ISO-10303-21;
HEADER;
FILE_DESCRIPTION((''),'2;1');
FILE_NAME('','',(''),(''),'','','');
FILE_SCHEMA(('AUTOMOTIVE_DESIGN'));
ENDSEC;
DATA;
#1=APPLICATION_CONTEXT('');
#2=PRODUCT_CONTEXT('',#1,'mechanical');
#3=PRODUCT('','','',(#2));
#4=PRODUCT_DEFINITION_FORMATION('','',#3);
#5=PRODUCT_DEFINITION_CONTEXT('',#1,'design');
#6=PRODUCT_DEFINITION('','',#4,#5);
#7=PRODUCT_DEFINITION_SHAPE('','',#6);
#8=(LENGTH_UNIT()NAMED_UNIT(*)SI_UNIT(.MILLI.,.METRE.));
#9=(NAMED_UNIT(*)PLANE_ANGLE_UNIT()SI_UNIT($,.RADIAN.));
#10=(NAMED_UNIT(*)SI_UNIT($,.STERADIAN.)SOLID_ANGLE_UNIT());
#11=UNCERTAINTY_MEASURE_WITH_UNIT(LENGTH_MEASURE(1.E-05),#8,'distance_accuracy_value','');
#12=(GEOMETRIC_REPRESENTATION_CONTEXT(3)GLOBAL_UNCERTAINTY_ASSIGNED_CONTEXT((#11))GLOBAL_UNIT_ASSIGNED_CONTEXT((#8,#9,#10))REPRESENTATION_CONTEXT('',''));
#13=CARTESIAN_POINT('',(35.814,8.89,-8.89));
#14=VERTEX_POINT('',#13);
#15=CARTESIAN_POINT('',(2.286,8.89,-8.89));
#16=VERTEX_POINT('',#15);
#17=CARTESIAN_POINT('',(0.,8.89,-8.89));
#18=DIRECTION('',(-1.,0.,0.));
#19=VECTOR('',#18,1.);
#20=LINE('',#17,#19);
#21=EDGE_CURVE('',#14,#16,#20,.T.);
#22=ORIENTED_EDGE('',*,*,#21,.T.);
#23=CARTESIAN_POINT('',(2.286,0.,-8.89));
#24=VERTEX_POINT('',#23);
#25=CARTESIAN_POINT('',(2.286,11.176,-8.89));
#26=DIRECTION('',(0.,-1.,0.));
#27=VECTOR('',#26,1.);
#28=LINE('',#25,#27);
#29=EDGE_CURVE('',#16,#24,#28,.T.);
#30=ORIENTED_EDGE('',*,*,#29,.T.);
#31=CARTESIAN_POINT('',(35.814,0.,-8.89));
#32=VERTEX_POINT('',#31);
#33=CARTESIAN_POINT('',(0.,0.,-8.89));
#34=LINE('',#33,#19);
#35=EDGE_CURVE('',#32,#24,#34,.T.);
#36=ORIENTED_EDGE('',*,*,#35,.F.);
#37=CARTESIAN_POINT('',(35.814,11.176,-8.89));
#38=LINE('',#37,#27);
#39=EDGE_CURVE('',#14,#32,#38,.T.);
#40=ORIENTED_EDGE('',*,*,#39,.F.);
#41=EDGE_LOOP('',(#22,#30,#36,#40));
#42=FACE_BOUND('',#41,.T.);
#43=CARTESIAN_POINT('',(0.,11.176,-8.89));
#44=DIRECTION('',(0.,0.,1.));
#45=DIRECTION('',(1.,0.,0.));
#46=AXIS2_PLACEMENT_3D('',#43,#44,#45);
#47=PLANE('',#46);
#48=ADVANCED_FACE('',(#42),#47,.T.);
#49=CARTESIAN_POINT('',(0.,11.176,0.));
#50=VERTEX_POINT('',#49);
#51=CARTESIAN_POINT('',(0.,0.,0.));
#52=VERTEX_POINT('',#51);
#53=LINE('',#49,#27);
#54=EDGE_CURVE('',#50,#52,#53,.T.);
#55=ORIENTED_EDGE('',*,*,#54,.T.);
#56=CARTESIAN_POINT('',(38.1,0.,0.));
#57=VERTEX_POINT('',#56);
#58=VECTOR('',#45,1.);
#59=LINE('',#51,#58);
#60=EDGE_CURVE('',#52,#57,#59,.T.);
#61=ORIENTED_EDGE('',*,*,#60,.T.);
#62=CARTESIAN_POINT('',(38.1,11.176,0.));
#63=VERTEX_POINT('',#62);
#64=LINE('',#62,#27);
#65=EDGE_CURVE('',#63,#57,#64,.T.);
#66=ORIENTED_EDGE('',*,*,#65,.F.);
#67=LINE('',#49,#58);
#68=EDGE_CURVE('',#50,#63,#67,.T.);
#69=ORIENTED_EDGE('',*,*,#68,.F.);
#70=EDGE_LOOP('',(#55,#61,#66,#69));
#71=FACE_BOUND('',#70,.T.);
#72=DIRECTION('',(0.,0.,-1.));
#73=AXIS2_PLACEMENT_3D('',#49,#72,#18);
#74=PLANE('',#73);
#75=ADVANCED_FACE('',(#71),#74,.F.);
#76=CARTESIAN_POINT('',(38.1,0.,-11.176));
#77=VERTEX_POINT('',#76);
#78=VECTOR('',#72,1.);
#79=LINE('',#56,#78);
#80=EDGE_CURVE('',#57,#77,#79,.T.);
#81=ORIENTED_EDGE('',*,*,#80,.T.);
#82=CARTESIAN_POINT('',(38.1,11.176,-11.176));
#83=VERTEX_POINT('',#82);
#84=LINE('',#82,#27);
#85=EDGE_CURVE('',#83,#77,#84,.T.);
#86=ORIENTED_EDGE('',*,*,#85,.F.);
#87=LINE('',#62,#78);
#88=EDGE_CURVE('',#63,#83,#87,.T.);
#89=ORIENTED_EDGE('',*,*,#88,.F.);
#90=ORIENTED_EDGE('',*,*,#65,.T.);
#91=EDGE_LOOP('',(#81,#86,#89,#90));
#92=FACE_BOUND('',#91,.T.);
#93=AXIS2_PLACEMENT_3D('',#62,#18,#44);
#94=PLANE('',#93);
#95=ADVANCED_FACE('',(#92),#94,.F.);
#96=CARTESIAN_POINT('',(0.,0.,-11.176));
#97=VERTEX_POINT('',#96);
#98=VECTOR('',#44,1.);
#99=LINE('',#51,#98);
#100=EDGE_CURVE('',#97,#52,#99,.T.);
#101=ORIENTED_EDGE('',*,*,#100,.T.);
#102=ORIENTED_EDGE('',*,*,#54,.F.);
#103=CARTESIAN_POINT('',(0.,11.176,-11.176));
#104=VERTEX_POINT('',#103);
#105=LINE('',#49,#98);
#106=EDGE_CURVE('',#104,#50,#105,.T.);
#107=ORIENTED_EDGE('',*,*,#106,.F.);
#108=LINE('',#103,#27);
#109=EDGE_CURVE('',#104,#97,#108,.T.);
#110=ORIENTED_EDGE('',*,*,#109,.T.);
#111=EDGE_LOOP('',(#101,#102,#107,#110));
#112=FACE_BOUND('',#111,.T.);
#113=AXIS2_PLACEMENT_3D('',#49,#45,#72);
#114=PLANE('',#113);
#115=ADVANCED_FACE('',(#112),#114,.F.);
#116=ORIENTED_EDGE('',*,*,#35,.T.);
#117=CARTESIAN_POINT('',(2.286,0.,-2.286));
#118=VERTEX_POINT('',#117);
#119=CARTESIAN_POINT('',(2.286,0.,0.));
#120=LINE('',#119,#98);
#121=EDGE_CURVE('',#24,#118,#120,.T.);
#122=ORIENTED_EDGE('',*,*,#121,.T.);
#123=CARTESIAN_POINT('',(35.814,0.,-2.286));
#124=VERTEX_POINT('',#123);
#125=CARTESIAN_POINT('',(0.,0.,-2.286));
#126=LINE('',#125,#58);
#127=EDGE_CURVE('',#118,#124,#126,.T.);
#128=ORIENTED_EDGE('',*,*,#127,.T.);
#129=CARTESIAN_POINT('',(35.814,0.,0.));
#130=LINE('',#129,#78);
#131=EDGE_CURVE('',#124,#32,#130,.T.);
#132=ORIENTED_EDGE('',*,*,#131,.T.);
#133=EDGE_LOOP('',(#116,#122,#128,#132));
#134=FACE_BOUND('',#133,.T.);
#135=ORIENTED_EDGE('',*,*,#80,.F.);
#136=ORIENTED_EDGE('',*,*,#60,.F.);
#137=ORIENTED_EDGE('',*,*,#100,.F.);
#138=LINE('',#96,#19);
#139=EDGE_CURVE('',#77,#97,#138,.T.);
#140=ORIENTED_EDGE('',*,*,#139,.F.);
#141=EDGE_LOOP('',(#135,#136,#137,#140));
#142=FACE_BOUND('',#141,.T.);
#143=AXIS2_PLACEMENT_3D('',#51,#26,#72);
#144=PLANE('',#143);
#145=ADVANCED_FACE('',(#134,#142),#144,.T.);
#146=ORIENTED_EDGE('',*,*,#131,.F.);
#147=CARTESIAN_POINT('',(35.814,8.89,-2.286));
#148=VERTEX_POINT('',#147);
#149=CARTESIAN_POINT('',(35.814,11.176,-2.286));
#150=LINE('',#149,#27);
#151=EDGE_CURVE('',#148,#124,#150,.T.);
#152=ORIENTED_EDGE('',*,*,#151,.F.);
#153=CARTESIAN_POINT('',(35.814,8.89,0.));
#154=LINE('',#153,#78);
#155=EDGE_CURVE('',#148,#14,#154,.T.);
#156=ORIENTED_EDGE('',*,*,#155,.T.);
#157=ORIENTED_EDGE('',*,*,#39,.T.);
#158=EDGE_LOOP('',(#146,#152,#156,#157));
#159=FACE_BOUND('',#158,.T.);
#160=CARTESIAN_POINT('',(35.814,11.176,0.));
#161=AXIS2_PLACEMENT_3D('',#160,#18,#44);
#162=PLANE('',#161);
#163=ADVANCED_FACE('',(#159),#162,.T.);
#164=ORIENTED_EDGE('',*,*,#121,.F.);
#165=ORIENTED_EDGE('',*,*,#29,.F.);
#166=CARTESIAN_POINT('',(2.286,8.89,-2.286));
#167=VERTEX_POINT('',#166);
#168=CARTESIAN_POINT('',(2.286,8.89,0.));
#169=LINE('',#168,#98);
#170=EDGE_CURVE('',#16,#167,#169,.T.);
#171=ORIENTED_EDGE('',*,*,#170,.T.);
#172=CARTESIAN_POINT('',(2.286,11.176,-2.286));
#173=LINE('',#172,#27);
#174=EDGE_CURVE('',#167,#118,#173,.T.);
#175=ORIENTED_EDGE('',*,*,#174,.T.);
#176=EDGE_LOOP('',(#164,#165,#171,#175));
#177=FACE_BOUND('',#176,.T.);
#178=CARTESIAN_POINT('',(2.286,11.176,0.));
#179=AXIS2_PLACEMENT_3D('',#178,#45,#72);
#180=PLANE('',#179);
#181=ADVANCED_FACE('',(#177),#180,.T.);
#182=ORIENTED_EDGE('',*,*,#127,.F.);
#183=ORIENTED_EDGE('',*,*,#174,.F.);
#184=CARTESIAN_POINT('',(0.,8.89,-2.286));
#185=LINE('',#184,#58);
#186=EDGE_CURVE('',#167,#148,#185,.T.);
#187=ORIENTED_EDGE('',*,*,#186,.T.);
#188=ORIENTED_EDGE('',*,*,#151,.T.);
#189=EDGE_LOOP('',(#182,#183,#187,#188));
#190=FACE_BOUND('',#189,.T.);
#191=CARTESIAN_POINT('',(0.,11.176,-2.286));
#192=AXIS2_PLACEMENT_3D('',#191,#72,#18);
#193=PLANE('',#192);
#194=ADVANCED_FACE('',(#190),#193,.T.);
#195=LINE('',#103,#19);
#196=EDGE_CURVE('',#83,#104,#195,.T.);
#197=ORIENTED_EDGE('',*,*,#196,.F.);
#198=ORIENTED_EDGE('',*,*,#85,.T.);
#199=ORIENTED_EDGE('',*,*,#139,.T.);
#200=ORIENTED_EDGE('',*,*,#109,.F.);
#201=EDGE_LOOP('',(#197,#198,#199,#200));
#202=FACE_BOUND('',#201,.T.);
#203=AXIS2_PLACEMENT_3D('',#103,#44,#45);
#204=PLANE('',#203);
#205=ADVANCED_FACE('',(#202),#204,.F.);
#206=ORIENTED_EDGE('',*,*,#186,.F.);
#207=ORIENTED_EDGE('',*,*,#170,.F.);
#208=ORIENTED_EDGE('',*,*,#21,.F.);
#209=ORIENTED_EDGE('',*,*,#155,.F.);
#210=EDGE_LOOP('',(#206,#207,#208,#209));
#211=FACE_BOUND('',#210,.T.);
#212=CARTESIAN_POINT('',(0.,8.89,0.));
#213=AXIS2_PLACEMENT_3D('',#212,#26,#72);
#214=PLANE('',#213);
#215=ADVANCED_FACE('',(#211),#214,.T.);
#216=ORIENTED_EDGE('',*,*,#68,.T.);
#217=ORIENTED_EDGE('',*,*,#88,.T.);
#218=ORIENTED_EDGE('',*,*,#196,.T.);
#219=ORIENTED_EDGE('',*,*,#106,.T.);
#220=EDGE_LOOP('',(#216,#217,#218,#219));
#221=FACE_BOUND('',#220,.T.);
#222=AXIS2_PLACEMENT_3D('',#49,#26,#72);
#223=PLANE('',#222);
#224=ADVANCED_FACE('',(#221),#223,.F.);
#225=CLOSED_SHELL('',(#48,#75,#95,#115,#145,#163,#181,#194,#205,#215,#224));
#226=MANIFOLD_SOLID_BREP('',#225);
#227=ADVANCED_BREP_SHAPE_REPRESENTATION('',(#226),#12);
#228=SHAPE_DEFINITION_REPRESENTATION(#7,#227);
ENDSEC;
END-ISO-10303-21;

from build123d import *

# Parameters (mm, degrees)
SKETCH1_W           = 38.1
SKETCH1_H           = 11.176
BOSS_EXTRUDE1_DEPTH = 11.176
SHELL1_T            = -2.286


with BuildPart() as part:
    # Sketch1 → Boss-Extrude1 (new body)
    with BuildSketch(Plane(origin=(0, 0, 0), x_dir=(1, 0, 0), z_dir=(0, 1, 0))):
        with Locations((19.05, 5.588)):
            Rectangle(SKETCH1_W, SKETCH1_H)
    extrude(amount=BOSS_EXTRUDE1_DEPTH)

    # Shell1
    shell1_openings = [part.faces().sort_by_distance(p)[0] for p in [
        (19.05, 0, -5.588),
    ]]
    offset(amount=SHELL1_T, openings=shell1_openings, kind=Kind.INTERSECTION)


solid = part.part
